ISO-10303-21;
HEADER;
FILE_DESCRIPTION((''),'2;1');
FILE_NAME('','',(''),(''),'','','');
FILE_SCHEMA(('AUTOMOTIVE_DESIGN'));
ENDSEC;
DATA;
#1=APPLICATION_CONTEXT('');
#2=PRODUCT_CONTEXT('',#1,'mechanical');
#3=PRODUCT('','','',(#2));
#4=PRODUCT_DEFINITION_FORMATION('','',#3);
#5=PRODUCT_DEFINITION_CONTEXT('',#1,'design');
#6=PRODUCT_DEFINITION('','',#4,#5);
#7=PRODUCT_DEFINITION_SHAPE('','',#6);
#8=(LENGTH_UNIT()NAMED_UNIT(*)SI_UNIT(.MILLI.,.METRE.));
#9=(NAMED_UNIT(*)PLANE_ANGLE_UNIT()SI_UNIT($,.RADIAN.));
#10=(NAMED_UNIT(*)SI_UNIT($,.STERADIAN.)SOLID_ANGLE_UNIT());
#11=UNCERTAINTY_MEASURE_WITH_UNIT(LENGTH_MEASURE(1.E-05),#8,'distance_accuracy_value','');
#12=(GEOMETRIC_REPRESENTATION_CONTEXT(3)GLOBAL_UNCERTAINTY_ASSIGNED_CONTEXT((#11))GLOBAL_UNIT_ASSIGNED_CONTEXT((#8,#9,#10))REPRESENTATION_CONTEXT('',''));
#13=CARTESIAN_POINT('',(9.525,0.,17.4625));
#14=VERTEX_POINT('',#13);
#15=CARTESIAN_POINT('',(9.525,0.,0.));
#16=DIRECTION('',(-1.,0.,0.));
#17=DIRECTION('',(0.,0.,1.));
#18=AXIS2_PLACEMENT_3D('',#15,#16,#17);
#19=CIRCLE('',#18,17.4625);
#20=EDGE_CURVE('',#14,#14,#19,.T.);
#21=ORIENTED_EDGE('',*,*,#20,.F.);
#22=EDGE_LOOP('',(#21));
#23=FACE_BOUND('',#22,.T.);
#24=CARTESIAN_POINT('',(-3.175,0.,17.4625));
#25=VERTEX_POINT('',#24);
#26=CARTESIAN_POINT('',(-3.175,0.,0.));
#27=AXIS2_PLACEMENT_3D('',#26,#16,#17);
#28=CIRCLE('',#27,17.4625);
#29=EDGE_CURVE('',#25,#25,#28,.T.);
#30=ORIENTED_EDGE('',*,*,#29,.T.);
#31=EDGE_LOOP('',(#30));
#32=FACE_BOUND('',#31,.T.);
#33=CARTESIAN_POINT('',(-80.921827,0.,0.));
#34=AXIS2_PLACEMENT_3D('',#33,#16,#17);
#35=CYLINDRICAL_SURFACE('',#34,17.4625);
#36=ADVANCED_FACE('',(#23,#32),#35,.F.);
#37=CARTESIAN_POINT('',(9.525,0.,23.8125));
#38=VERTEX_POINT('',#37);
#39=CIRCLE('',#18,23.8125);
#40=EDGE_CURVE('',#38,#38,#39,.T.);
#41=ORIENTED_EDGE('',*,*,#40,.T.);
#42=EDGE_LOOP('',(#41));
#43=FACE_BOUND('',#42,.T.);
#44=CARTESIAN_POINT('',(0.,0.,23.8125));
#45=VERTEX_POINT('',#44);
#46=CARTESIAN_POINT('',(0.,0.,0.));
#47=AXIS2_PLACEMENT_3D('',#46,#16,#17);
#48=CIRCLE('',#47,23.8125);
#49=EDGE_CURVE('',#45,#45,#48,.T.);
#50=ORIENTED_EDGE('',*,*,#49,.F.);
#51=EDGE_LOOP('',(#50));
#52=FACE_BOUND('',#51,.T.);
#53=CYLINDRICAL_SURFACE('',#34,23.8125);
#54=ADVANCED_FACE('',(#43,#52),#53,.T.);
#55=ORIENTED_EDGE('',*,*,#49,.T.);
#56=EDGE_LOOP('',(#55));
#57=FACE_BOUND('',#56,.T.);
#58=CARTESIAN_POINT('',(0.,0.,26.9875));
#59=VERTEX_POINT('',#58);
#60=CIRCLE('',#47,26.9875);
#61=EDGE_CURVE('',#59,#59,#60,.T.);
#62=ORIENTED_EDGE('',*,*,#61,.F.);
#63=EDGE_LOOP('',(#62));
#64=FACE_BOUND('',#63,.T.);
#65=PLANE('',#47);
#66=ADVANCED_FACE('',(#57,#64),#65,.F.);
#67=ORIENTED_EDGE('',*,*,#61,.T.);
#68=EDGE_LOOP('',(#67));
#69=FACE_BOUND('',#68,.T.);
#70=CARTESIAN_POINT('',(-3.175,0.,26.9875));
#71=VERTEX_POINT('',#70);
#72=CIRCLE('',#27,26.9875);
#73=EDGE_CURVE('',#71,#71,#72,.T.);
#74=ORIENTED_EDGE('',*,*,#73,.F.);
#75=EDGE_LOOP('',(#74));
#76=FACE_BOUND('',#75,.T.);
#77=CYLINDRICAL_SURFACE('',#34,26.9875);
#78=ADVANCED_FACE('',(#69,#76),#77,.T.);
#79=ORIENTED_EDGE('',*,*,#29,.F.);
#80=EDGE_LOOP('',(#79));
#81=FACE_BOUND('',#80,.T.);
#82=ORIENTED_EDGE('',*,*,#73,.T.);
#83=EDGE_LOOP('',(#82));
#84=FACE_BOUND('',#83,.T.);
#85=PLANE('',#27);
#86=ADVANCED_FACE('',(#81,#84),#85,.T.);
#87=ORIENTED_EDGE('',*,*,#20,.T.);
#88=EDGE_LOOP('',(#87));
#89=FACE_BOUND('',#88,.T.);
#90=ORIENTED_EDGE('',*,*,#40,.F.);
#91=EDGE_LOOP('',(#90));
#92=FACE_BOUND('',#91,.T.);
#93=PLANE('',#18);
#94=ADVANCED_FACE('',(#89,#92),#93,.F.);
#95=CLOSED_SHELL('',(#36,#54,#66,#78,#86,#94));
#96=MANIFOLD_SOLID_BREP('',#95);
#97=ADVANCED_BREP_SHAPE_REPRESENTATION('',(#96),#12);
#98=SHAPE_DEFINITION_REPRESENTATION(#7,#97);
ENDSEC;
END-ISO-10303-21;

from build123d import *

# Parameters (mm, degrees)
SKETCH1_W   = 12.7
SKETCH1_H   = 6.35
SKETCH1_W_2 = 3.175
SKETCH1_H_2 = 3.175


with BuildPart() as part:
    # Sketch1 → Revolve1 (revolve)
    with BuildSketch(Plane.XY, mode=Mode.PRIVATE) as revolve1_sk:
        with Locations((3.175, 20.6375)):
            Rectangle(SKETCH1_W, SKETCH1_H)
        with Locations((-1.5875, 25.4)):
            Rectangle(SKETCH1_W_2, SKETCH1_H_2)
    revolve(revolve1_sk.sketch.rotate(Axis((-80.921826702, 0, 0), (1, 0, 0)), 90), axis=Axis((-80.921826702, 0, 0), (1, 0, 0)))


solid = part.part
